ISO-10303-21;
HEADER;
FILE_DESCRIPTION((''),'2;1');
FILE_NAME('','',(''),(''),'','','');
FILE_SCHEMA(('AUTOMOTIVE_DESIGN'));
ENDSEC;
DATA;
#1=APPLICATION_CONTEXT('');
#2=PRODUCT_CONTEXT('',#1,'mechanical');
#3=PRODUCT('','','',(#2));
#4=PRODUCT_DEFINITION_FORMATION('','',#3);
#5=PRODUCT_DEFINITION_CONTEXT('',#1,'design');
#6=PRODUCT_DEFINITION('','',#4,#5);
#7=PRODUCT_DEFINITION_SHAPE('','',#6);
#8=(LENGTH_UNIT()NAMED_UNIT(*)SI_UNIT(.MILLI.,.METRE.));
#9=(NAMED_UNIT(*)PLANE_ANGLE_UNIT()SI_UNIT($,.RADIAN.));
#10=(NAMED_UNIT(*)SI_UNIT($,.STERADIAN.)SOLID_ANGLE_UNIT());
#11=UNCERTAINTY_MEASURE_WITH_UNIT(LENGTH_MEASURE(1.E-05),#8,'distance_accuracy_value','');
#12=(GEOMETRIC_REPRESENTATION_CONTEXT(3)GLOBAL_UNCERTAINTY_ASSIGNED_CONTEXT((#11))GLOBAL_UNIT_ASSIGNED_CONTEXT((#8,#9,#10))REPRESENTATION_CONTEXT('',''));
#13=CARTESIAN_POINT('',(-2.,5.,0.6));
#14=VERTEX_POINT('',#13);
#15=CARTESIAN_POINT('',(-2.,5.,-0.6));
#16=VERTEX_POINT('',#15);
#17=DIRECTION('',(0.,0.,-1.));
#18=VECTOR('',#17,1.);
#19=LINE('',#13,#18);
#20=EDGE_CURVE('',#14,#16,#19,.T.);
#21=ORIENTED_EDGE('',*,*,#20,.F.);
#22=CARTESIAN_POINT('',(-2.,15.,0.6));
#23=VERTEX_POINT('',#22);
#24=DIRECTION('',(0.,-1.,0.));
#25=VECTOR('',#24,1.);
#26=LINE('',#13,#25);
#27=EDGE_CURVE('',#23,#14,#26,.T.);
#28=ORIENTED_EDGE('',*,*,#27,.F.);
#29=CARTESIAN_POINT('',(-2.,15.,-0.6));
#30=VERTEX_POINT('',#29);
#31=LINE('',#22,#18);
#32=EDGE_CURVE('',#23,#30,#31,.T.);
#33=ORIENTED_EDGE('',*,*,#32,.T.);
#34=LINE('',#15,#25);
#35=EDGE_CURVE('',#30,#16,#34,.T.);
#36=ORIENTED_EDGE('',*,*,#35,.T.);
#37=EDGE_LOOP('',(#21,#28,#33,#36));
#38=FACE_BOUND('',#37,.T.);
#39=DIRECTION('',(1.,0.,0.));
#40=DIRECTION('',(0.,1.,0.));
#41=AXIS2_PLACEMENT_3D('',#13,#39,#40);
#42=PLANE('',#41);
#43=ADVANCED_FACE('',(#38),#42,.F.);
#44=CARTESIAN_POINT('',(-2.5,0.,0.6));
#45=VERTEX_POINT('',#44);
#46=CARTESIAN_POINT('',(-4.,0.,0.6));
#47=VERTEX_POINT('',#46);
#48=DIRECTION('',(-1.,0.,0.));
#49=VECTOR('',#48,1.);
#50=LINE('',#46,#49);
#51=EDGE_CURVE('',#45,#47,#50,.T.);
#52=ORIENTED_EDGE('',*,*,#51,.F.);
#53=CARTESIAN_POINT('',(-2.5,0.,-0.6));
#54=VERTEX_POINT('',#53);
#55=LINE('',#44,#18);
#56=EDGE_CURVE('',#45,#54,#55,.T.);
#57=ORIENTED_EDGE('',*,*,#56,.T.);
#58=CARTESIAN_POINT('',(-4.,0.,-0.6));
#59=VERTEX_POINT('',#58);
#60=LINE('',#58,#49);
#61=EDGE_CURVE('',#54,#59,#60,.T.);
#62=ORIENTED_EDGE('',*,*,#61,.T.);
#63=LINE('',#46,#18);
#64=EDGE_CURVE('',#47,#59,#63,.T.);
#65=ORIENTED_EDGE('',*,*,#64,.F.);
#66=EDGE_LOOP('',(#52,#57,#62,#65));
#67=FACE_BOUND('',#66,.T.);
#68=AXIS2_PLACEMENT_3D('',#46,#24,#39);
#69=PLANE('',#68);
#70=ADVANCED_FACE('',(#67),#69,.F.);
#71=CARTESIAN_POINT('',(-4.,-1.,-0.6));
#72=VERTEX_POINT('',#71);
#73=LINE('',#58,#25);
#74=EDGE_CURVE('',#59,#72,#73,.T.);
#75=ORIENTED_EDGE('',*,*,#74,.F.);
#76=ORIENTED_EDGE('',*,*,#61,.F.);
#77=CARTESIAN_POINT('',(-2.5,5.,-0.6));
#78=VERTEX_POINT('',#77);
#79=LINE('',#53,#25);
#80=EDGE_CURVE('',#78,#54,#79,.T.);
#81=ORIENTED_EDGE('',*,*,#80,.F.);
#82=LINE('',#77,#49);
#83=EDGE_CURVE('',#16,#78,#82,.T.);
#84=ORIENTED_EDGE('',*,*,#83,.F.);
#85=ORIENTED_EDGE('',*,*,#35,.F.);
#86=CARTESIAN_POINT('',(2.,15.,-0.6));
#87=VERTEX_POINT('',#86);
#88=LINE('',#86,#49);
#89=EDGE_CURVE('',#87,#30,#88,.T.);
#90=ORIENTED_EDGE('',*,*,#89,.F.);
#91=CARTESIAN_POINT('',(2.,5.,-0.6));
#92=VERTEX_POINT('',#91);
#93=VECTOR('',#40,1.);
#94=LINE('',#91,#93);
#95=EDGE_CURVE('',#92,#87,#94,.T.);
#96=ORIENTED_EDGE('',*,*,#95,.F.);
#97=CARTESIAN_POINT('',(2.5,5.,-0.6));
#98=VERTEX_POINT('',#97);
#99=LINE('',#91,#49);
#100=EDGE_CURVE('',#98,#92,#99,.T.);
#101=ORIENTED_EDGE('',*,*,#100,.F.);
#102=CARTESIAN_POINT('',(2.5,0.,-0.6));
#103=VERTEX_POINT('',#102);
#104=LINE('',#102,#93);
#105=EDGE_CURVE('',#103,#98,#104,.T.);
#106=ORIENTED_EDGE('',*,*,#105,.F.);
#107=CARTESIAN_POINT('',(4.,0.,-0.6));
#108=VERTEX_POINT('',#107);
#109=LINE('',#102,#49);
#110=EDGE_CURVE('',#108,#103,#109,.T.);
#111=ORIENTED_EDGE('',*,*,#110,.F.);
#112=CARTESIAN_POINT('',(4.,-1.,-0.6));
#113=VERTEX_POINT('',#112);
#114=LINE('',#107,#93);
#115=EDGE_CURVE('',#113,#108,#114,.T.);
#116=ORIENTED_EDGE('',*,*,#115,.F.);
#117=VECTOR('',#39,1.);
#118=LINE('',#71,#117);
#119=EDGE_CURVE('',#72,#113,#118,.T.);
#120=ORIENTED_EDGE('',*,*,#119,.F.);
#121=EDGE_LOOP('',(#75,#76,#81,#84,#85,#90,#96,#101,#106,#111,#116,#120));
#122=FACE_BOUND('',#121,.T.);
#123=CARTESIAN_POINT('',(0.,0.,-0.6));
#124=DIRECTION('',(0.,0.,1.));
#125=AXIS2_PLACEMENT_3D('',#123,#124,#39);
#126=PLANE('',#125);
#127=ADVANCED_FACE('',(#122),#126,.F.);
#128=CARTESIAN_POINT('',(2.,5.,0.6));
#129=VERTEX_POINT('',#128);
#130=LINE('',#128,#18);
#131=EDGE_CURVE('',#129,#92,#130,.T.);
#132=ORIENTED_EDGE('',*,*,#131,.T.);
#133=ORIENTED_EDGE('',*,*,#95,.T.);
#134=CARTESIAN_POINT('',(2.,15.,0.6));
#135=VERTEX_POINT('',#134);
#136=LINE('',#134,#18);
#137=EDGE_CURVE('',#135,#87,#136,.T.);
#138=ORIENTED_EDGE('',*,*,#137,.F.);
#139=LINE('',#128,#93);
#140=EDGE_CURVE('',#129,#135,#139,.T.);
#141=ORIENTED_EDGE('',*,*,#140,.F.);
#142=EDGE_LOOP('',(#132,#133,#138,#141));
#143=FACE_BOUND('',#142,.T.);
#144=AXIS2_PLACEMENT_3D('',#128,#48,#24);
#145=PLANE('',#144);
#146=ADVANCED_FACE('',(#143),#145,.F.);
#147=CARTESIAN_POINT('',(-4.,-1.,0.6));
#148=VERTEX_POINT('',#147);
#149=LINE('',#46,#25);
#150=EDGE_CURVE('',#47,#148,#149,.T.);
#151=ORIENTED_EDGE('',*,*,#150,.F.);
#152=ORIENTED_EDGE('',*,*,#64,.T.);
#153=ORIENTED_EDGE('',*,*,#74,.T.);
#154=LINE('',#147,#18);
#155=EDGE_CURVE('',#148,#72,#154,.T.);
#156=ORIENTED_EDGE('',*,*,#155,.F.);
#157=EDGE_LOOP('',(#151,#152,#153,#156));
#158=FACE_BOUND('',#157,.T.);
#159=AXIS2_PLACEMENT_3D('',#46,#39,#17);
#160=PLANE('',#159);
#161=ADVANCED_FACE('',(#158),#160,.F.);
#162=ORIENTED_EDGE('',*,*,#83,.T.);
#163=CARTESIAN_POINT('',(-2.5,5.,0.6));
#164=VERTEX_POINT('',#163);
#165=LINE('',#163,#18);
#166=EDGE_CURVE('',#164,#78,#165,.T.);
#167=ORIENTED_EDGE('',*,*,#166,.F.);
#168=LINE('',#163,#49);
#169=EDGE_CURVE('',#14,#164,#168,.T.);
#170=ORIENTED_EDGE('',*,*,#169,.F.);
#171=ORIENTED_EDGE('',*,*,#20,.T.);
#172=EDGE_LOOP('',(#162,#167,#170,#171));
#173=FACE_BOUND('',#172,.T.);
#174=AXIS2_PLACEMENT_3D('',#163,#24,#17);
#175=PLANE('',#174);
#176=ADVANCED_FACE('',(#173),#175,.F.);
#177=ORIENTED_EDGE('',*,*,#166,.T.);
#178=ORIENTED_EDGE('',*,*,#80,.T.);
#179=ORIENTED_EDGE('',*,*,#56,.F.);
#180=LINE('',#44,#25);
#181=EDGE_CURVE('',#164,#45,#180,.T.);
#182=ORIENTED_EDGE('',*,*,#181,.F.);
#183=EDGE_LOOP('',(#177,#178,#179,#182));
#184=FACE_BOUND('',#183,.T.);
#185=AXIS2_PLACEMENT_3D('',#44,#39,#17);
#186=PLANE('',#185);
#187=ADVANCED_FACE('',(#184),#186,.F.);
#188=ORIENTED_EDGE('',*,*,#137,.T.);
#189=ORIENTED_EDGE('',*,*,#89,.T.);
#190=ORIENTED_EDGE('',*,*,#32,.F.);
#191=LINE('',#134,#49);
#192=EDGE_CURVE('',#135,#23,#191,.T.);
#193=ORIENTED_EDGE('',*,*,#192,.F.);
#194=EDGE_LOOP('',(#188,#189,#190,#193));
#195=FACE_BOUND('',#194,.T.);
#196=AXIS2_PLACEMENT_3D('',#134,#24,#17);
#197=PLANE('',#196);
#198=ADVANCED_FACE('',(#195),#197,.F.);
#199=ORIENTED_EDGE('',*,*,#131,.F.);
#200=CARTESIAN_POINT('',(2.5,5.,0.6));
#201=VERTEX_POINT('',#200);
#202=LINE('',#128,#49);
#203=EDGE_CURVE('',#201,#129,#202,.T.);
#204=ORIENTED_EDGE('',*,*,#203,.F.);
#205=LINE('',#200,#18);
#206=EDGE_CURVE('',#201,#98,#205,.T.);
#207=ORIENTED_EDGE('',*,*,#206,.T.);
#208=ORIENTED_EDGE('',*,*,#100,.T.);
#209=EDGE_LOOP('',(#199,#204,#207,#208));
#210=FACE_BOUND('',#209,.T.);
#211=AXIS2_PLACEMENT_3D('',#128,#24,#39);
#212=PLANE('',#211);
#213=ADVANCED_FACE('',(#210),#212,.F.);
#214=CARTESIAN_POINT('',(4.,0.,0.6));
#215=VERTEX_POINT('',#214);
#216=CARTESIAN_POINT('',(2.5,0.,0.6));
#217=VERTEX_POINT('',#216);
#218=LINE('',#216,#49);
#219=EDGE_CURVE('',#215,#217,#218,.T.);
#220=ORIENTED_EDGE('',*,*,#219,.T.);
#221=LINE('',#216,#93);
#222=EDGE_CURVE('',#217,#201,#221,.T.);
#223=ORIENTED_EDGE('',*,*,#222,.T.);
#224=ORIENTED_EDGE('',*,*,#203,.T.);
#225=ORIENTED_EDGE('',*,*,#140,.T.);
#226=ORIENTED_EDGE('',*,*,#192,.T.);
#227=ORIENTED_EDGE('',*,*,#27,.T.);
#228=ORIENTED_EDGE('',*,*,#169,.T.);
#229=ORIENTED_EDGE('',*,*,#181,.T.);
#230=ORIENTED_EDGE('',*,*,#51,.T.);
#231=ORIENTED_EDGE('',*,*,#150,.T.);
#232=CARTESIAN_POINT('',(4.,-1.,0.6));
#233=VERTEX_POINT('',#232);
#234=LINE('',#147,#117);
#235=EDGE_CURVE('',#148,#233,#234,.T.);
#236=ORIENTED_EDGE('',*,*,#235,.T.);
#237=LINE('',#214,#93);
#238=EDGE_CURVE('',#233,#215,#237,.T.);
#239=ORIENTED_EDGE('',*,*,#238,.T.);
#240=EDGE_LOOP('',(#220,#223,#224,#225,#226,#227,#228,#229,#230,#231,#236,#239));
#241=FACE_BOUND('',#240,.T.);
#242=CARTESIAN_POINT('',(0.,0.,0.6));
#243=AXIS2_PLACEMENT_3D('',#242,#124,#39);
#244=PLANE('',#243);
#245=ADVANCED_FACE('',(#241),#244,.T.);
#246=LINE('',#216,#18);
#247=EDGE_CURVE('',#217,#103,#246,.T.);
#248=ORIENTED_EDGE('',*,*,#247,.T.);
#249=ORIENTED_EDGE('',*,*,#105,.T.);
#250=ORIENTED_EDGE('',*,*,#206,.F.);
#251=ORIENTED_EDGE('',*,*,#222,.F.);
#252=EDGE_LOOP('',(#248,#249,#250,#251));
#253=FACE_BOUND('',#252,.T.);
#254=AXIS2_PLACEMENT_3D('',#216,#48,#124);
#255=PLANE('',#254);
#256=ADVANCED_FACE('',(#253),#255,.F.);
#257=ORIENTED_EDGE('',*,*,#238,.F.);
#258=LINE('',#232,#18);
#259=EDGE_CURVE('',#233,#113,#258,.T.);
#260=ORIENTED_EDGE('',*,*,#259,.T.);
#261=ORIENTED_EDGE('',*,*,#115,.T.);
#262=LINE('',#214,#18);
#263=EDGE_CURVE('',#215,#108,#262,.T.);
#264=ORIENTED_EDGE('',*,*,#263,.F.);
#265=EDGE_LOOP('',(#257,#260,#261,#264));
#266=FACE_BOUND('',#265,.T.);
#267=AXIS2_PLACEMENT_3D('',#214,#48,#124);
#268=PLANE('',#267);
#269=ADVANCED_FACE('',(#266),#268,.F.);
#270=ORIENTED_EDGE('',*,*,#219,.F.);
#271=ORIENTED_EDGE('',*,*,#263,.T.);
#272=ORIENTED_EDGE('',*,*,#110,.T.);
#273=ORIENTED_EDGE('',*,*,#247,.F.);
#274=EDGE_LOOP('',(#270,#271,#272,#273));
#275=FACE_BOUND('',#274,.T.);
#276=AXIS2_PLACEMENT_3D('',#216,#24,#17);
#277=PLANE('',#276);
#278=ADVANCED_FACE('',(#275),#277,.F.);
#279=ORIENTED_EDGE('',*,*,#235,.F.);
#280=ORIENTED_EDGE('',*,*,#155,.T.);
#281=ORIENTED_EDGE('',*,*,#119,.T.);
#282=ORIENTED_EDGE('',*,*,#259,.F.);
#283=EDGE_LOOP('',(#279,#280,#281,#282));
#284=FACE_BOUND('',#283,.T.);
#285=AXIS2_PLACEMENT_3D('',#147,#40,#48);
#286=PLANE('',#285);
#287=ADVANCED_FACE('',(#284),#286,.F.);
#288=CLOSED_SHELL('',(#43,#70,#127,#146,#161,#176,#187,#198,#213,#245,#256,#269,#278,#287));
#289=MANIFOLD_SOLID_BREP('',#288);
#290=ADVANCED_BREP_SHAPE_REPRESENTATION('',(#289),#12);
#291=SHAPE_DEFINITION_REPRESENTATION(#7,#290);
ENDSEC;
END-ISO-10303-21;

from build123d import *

# Parameters (mm, degrees)
BOSS_EXTRUDE1_DEPTH = 0.6


with BuildPart() as part:
    # Sketch1 → Boss-Extrude1 (new, symmetric)
    with BuildSketch(Plane.XY):
        Polygon((-2.5, 0), (-2.5, 5), (-2, 5), (-2, 15), (2, 15), (2, 5), (2.5, 5), (2.5, 0), (4, 0), (4, -1), (-4, -1), (-4, 0), align=None)
    extrude(amount=BOSS_EXTRUDE1_DEPTH, both=True)


solid = part.part
